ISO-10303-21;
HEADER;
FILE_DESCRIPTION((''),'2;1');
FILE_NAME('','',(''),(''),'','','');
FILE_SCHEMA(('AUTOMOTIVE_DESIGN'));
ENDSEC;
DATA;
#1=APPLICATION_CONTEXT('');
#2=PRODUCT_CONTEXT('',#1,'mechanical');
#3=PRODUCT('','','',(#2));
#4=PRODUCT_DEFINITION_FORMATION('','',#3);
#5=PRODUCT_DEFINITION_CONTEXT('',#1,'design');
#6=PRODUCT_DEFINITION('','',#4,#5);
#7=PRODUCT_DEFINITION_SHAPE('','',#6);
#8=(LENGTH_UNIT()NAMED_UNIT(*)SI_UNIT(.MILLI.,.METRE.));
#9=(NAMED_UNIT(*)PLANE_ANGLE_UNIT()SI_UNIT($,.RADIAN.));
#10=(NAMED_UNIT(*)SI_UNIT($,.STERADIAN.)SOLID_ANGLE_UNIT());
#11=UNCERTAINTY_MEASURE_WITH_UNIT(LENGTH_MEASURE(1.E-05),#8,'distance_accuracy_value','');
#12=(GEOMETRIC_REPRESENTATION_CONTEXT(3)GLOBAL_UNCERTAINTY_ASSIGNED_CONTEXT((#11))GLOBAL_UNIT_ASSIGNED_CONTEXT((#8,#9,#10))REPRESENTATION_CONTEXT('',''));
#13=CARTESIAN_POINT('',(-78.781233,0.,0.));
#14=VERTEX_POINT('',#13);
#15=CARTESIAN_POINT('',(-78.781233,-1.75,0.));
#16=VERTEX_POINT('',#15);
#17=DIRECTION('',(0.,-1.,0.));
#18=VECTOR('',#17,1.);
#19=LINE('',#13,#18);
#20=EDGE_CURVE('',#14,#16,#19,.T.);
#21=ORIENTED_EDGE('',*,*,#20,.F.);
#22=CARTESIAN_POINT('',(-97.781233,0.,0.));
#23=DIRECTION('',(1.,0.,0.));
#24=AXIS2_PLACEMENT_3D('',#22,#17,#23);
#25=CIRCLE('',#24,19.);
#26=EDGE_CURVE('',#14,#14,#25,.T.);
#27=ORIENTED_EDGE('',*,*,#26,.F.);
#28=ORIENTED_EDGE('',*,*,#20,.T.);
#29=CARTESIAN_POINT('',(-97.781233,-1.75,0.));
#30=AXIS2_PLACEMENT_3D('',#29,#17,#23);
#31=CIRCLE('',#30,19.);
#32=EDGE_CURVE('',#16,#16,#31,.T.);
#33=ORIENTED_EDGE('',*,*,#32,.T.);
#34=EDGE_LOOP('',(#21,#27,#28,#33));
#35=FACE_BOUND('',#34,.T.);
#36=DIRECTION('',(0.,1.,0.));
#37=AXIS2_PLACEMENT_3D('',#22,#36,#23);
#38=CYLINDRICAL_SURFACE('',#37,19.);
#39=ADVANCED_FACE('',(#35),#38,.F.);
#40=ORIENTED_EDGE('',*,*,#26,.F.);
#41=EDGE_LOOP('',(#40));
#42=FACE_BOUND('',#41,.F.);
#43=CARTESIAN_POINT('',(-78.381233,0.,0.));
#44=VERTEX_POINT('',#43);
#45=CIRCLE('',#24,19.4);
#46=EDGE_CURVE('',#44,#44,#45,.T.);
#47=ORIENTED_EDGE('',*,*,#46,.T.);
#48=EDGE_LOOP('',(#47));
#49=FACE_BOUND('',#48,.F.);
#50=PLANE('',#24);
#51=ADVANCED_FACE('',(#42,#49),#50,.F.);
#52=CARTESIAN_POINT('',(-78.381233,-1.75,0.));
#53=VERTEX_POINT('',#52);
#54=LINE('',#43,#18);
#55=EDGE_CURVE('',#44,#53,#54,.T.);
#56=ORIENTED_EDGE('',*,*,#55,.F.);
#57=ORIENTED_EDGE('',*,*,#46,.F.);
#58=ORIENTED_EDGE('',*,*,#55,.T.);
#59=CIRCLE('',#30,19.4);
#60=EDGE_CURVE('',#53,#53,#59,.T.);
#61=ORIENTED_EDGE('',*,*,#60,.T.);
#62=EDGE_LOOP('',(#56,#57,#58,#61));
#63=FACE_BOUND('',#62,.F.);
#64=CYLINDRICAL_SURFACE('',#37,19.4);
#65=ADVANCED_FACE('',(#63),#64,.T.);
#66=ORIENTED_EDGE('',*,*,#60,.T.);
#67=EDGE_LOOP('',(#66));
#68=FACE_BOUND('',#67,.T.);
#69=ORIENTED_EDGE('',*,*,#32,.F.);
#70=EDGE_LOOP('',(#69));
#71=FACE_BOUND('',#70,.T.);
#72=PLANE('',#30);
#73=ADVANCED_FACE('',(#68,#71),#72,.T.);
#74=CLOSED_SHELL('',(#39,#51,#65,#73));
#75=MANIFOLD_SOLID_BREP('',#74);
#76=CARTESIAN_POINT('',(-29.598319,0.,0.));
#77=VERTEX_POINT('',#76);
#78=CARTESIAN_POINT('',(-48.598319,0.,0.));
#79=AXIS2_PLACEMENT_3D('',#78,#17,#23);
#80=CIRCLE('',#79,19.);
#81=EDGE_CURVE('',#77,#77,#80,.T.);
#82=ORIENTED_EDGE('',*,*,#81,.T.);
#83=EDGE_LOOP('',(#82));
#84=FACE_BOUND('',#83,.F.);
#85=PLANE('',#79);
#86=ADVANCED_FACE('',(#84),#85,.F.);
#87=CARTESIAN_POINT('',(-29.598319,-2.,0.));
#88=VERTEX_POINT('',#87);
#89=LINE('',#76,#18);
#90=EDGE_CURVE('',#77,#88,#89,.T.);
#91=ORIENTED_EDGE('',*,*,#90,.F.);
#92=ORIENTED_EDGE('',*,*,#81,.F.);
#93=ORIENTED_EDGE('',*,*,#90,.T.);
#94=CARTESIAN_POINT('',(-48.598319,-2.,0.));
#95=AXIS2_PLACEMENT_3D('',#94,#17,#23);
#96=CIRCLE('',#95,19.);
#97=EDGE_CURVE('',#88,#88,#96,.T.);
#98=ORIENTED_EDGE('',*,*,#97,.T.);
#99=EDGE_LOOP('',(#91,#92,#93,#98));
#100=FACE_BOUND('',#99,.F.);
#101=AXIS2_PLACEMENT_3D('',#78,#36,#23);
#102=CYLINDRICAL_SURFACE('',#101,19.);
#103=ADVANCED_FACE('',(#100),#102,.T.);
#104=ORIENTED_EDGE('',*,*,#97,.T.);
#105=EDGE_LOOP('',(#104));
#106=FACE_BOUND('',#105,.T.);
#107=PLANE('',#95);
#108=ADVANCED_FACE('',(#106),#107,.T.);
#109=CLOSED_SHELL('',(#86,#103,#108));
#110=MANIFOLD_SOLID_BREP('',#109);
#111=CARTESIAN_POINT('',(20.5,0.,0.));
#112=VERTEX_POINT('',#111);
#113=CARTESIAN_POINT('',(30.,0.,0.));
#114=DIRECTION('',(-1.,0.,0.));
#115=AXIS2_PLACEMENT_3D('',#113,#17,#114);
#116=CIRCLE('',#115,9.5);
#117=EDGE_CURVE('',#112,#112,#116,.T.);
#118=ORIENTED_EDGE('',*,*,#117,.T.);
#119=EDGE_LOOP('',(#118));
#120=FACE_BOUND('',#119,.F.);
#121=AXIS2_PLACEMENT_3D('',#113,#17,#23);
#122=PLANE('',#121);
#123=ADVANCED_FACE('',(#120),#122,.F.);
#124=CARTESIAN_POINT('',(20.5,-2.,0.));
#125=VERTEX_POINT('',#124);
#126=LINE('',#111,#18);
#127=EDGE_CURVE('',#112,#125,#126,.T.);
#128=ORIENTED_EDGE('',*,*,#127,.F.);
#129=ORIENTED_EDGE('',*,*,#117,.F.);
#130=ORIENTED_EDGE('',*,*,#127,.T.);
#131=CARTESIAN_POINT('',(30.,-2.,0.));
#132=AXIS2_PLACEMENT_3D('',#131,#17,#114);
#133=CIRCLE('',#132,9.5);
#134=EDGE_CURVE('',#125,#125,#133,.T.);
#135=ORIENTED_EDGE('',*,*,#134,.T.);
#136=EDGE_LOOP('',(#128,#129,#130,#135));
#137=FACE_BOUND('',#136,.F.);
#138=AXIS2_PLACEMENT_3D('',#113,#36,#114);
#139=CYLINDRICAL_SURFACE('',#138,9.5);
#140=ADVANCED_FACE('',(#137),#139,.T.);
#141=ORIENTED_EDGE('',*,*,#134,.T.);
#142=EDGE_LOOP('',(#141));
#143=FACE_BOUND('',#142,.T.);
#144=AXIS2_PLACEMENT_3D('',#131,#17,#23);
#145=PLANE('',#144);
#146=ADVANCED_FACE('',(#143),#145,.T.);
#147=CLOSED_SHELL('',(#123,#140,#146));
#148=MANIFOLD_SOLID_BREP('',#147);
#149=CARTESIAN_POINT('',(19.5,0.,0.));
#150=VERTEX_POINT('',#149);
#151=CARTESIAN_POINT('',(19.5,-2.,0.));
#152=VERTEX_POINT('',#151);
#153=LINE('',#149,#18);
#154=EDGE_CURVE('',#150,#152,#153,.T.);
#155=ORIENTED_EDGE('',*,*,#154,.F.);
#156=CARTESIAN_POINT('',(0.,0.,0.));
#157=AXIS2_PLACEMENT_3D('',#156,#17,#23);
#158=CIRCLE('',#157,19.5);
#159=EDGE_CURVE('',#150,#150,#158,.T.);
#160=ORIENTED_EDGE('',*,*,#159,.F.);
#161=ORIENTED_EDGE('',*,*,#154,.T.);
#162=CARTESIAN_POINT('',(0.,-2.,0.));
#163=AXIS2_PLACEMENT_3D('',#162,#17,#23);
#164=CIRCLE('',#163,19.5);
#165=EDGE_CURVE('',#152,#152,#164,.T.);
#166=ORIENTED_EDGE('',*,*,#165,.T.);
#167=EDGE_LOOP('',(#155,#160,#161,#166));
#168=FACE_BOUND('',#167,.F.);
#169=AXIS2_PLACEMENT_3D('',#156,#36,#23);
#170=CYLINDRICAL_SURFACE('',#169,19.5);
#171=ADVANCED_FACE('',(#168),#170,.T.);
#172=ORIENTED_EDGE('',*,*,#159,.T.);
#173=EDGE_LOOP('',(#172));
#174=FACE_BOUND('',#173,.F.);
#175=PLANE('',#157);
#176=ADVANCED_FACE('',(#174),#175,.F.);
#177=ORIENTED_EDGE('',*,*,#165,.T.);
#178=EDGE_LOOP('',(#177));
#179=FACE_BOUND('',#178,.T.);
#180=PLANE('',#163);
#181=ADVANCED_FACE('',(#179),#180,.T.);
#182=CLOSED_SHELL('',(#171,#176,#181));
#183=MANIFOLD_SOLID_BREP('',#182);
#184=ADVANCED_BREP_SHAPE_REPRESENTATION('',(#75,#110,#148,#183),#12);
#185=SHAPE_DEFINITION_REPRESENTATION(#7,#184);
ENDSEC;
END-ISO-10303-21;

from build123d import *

# Parameters (mm, degrees)
F0_R     = 19.5
F0_R_2   = 19
F1_DEPTH = 2
F0_R_3   = 19.4
F2_DEPTH = 1.75


with BuildPart() as f1:
    # F0 (on Front) → F1 (new body)
    with BuildSketch(Plane.XZ):
        Circle(F0_R)
        with BuildLine():
            ThreePointArc((39.5, 0), (30, 9.5), (20.5, 0))
            ThreePointArc((20.5, 0), (30, -9.5), (39.5, 0))
        make_face()
        with Locations((-48.598319, 0)):
            Circle(F0_R_2)
    extrude(amount=F1_DEPTH)


with BuildPart() as f2:
    # F0 (on Front) → F2 (new body)
    with BuildSketch(Plane.XZ):
        with Locations((-97.781233, 0)):
            Circle(F0_R_3)
        with Locations((-97.781233, 0)):
            Circle(F0_R_2, mode=Mode.SUBTRACT)
    extrude(amount=F2_DEPTH)


solid = Compound([f1.part, f2.part])
